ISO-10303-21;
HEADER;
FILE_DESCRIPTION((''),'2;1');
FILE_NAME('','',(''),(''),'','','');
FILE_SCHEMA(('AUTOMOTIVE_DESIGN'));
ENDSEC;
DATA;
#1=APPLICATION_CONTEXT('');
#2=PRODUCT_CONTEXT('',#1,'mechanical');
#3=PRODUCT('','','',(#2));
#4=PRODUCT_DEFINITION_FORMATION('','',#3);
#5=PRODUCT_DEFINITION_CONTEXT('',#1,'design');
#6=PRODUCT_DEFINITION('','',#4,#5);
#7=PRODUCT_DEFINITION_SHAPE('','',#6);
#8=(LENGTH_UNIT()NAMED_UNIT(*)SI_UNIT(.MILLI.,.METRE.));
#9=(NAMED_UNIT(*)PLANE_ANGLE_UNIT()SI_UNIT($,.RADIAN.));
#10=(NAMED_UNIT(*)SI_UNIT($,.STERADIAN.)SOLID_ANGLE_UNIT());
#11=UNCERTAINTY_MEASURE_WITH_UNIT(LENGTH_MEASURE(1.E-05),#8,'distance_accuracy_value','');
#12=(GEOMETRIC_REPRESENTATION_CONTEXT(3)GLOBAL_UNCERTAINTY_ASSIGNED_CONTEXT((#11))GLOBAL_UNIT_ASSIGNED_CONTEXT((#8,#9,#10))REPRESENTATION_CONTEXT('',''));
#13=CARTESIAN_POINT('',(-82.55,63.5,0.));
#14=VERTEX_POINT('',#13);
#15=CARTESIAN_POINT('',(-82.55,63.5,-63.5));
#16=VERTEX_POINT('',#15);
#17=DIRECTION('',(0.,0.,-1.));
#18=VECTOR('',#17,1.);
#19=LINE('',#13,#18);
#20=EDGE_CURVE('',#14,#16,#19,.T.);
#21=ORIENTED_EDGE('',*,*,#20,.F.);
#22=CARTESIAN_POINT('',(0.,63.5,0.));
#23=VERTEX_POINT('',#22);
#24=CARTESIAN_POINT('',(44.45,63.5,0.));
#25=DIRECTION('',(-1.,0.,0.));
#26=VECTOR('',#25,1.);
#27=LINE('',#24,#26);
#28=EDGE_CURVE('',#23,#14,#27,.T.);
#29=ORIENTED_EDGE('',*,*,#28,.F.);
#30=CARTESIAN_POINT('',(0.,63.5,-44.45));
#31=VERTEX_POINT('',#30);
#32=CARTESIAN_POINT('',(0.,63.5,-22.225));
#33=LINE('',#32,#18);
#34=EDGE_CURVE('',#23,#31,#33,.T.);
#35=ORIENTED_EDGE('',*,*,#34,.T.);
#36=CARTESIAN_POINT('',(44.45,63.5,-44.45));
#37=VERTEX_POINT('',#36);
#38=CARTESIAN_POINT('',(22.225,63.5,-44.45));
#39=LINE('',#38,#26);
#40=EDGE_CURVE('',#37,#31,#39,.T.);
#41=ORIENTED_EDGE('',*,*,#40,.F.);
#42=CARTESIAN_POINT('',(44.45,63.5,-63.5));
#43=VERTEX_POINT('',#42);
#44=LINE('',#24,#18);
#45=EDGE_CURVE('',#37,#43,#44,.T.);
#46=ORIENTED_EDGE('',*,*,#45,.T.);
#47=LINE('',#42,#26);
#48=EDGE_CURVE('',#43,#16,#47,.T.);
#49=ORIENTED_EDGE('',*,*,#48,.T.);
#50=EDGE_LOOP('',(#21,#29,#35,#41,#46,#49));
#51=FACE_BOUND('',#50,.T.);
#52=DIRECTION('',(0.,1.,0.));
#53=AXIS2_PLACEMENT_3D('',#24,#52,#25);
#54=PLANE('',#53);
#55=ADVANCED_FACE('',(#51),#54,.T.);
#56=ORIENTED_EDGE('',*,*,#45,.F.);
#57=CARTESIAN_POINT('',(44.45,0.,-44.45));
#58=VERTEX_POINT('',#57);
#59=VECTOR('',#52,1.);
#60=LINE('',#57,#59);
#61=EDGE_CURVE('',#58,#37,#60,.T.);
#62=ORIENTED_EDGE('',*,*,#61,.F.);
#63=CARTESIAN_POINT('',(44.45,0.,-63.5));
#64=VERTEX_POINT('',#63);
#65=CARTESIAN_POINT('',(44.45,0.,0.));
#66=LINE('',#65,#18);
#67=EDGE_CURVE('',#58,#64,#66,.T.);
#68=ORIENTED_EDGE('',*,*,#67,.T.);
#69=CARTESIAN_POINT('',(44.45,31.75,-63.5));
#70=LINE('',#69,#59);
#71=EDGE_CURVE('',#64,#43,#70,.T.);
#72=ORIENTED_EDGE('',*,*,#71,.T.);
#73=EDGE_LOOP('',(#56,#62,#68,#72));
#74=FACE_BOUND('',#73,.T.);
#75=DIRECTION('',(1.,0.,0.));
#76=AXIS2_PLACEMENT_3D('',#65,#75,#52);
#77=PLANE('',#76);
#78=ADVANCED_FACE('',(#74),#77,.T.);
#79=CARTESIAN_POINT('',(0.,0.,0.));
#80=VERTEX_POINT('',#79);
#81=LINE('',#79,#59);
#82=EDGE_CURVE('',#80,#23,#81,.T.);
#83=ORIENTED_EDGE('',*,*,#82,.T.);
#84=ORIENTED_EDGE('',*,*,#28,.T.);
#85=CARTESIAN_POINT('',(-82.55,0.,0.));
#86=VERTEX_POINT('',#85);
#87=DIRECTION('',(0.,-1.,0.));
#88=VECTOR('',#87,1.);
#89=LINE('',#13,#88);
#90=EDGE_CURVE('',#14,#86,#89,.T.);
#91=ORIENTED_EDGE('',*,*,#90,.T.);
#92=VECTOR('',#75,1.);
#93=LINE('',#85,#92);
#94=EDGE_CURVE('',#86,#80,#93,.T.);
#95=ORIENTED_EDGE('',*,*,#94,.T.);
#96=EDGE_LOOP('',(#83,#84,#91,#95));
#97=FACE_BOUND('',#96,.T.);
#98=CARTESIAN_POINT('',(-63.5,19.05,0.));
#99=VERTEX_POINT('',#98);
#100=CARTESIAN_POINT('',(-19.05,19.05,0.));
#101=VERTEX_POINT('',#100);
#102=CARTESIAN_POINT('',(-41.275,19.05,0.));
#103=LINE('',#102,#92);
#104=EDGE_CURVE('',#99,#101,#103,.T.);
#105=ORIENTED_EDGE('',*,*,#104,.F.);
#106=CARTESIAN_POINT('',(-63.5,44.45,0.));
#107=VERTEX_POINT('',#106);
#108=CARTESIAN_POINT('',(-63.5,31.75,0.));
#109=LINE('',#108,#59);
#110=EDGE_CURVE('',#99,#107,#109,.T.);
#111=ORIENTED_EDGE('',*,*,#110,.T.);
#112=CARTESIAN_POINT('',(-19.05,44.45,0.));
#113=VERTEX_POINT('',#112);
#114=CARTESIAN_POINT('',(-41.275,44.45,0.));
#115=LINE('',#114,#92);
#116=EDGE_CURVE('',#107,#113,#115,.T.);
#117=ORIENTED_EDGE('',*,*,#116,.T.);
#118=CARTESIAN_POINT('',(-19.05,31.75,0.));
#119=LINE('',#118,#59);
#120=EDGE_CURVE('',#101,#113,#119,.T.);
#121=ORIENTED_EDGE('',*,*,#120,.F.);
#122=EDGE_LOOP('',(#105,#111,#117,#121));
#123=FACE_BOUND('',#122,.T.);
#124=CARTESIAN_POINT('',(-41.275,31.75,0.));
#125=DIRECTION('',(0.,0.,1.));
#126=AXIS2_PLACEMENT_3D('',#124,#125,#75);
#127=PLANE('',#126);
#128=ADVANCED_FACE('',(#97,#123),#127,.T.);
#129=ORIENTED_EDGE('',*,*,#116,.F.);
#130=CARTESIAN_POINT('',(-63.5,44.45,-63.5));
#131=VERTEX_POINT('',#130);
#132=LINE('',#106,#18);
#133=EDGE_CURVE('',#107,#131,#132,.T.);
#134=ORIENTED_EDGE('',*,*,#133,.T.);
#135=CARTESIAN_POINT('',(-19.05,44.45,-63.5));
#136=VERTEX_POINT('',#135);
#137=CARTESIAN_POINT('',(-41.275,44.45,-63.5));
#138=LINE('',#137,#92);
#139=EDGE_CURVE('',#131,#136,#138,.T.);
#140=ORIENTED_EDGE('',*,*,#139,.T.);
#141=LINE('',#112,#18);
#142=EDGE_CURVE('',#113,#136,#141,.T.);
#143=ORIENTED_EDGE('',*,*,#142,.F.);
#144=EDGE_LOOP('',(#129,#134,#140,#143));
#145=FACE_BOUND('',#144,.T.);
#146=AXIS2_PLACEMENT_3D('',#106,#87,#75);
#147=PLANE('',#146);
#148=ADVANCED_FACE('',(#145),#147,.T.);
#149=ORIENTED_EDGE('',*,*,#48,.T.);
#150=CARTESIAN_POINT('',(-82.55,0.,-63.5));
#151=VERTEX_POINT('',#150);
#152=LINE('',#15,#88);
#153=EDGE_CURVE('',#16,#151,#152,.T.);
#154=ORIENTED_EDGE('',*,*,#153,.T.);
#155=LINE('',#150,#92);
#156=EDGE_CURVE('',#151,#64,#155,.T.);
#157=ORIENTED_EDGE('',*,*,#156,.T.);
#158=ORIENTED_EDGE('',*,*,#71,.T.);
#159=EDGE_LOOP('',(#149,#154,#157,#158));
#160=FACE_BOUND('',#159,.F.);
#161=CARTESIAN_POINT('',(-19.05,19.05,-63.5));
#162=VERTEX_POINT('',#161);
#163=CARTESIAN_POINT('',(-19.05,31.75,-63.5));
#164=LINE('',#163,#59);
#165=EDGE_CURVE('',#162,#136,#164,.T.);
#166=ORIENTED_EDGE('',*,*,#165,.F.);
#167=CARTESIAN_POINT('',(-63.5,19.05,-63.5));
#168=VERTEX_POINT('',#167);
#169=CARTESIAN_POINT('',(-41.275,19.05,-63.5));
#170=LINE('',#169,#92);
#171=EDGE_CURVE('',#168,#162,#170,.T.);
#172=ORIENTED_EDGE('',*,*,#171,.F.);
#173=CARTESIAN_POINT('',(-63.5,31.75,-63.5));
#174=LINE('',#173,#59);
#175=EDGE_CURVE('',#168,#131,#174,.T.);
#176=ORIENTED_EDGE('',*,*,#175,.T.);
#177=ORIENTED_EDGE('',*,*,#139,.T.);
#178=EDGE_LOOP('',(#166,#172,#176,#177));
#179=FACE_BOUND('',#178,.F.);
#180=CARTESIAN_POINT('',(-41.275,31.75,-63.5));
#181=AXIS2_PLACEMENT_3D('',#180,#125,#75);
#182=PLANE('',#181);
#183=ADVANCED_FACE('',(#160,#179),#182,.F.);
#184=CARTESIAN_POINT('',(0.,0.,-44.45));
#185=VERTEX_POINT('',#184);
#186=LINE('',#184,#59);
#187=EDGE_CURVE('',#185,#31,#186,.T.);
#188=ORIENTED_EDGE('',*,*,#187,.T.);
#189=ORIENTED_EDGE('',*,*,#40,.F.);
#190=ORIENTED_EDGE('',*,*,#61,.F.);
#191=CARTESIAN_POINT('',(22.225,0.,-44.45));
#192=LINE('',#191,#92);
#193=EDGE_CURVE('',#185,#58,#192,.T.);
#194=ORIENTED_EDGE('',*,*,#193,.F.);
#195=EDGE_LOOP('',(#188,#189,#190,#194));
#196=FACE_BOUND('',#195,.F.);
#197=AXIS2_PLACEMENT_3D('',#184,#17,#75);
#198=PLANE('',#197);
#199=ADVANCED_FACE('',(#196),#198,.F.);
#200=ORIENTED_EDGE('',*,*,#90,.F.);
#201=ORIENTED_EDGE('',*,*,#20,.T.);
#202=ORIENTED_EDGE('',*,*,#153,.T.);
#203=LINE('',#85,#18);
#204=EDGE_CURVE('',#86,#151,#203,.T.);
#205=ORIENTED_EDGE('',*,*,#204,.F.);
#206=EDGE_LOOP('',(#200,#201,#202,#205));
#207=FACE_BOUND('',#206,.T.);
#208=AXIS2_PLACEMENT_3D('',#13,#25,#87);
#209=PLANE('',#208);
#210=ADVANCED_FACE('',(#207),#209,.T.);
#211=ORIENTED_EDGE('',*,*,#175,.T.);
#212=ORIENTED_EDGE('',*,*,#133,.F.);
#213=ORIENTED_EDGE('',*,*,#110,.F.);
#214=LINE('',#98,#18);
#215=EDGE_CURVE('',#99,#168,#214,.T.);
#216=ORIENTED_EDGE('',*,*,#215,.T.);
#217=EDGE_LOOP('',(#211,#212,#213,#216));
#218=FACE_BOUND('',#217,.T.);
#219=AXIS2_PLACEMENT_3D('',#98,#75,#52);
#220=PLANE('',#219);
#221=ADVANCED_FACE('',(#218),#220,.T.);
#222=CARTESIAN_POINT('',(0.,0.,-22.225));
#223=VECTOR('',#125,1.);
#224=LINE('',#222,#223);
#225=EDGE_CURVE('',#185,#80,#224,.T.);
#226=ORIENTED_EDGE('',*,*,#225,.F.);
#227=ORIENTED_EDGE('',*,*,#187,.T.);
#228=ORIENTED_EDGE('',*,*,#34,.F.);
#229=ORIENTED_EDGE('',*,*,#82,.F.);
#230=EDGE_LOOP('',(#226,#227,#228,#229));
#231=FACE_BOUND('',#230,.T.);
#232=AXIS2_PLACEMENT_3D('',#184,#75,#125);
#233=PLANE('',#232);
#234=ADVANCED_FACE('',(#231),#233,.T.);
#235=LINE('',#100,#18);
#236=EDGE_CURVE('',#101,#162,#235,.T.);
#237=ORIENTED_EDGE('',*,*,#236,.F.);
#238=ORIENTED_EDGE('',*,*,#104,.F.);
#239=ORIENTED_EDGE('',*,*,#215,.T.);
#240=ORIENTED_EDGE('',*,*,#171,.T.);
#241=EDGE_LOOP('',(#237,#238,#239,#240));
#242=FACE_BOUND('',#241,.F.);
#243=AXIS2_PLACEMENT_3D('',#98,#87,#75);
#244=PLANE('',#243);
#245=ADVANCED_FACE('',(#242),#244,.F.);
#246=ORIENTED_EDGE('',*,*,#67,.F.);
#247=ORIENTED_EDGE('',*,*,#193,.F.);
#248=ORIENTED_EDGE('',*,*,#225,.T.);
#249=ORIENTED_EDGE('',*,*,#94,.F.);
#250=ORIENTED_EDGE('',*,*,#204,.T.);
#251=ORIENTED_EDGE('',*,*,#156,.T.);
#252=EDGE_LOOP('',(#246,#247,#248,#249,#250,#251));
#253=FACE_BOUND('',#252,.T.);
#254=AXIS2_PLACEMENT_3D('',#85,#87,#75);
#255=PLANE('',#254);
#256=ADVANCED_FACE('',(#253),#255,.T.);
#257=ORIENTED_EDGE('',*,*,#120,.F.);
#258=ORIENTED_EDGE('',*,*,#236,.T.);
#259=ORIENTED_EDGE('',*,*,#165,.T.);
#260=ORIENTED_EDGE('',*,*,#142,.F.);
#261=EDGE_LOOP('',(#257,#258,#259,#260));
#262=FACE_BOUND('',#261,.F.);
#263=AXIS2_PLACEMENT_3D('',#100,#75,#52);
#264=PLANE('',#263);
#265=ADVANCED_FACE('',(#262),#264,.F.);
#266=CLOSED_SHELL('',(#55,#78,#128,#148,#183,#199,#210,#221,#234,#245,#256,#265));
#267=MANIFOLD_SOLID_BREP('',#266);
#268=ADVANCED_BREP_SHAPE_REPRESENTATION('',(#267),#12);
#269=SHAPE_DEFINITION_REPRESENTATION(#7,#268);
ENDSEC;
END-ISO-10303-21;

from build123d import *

# Parameters (mm, degrees)
F0_W     = 44.45
F0_H     = 25.4
F0_H_2   = 63.5
F1_DEPTH = 63.5
F2_W     = 44.45
F2_H     = 44.45
F3_DEPTH = 63.501


with BuildPart() as f1:
    # F0 (on Top) → F1 (new body)
    with BuildSketch(Plane.XY):
        Polygon((0, 63.5), (-82.55, 63.5), (-82.55, 0), (-19.05, 0), (0, 0), align=None)
        with Locations((-41.275, 31.75)):
            Rectangle(F0_W, F0_H, mode=Mode.SUBTRACT)
        with Locations((22.225, 31.75)):
            Rectangle(F0_W, F0_H_2)
    extrude(amount=-F1_DEPTH)

    # F2 (on face) → F3 (cut, through all)
    with BuildSketch(Plane.XZ):
        with Locations((22.225, -22.225)):
            Rectangle(F2_W, F2_H)
    extrude(amount=-F3_DEPTH, mode=Mode.SUBTRACT)


solid = f1.part
